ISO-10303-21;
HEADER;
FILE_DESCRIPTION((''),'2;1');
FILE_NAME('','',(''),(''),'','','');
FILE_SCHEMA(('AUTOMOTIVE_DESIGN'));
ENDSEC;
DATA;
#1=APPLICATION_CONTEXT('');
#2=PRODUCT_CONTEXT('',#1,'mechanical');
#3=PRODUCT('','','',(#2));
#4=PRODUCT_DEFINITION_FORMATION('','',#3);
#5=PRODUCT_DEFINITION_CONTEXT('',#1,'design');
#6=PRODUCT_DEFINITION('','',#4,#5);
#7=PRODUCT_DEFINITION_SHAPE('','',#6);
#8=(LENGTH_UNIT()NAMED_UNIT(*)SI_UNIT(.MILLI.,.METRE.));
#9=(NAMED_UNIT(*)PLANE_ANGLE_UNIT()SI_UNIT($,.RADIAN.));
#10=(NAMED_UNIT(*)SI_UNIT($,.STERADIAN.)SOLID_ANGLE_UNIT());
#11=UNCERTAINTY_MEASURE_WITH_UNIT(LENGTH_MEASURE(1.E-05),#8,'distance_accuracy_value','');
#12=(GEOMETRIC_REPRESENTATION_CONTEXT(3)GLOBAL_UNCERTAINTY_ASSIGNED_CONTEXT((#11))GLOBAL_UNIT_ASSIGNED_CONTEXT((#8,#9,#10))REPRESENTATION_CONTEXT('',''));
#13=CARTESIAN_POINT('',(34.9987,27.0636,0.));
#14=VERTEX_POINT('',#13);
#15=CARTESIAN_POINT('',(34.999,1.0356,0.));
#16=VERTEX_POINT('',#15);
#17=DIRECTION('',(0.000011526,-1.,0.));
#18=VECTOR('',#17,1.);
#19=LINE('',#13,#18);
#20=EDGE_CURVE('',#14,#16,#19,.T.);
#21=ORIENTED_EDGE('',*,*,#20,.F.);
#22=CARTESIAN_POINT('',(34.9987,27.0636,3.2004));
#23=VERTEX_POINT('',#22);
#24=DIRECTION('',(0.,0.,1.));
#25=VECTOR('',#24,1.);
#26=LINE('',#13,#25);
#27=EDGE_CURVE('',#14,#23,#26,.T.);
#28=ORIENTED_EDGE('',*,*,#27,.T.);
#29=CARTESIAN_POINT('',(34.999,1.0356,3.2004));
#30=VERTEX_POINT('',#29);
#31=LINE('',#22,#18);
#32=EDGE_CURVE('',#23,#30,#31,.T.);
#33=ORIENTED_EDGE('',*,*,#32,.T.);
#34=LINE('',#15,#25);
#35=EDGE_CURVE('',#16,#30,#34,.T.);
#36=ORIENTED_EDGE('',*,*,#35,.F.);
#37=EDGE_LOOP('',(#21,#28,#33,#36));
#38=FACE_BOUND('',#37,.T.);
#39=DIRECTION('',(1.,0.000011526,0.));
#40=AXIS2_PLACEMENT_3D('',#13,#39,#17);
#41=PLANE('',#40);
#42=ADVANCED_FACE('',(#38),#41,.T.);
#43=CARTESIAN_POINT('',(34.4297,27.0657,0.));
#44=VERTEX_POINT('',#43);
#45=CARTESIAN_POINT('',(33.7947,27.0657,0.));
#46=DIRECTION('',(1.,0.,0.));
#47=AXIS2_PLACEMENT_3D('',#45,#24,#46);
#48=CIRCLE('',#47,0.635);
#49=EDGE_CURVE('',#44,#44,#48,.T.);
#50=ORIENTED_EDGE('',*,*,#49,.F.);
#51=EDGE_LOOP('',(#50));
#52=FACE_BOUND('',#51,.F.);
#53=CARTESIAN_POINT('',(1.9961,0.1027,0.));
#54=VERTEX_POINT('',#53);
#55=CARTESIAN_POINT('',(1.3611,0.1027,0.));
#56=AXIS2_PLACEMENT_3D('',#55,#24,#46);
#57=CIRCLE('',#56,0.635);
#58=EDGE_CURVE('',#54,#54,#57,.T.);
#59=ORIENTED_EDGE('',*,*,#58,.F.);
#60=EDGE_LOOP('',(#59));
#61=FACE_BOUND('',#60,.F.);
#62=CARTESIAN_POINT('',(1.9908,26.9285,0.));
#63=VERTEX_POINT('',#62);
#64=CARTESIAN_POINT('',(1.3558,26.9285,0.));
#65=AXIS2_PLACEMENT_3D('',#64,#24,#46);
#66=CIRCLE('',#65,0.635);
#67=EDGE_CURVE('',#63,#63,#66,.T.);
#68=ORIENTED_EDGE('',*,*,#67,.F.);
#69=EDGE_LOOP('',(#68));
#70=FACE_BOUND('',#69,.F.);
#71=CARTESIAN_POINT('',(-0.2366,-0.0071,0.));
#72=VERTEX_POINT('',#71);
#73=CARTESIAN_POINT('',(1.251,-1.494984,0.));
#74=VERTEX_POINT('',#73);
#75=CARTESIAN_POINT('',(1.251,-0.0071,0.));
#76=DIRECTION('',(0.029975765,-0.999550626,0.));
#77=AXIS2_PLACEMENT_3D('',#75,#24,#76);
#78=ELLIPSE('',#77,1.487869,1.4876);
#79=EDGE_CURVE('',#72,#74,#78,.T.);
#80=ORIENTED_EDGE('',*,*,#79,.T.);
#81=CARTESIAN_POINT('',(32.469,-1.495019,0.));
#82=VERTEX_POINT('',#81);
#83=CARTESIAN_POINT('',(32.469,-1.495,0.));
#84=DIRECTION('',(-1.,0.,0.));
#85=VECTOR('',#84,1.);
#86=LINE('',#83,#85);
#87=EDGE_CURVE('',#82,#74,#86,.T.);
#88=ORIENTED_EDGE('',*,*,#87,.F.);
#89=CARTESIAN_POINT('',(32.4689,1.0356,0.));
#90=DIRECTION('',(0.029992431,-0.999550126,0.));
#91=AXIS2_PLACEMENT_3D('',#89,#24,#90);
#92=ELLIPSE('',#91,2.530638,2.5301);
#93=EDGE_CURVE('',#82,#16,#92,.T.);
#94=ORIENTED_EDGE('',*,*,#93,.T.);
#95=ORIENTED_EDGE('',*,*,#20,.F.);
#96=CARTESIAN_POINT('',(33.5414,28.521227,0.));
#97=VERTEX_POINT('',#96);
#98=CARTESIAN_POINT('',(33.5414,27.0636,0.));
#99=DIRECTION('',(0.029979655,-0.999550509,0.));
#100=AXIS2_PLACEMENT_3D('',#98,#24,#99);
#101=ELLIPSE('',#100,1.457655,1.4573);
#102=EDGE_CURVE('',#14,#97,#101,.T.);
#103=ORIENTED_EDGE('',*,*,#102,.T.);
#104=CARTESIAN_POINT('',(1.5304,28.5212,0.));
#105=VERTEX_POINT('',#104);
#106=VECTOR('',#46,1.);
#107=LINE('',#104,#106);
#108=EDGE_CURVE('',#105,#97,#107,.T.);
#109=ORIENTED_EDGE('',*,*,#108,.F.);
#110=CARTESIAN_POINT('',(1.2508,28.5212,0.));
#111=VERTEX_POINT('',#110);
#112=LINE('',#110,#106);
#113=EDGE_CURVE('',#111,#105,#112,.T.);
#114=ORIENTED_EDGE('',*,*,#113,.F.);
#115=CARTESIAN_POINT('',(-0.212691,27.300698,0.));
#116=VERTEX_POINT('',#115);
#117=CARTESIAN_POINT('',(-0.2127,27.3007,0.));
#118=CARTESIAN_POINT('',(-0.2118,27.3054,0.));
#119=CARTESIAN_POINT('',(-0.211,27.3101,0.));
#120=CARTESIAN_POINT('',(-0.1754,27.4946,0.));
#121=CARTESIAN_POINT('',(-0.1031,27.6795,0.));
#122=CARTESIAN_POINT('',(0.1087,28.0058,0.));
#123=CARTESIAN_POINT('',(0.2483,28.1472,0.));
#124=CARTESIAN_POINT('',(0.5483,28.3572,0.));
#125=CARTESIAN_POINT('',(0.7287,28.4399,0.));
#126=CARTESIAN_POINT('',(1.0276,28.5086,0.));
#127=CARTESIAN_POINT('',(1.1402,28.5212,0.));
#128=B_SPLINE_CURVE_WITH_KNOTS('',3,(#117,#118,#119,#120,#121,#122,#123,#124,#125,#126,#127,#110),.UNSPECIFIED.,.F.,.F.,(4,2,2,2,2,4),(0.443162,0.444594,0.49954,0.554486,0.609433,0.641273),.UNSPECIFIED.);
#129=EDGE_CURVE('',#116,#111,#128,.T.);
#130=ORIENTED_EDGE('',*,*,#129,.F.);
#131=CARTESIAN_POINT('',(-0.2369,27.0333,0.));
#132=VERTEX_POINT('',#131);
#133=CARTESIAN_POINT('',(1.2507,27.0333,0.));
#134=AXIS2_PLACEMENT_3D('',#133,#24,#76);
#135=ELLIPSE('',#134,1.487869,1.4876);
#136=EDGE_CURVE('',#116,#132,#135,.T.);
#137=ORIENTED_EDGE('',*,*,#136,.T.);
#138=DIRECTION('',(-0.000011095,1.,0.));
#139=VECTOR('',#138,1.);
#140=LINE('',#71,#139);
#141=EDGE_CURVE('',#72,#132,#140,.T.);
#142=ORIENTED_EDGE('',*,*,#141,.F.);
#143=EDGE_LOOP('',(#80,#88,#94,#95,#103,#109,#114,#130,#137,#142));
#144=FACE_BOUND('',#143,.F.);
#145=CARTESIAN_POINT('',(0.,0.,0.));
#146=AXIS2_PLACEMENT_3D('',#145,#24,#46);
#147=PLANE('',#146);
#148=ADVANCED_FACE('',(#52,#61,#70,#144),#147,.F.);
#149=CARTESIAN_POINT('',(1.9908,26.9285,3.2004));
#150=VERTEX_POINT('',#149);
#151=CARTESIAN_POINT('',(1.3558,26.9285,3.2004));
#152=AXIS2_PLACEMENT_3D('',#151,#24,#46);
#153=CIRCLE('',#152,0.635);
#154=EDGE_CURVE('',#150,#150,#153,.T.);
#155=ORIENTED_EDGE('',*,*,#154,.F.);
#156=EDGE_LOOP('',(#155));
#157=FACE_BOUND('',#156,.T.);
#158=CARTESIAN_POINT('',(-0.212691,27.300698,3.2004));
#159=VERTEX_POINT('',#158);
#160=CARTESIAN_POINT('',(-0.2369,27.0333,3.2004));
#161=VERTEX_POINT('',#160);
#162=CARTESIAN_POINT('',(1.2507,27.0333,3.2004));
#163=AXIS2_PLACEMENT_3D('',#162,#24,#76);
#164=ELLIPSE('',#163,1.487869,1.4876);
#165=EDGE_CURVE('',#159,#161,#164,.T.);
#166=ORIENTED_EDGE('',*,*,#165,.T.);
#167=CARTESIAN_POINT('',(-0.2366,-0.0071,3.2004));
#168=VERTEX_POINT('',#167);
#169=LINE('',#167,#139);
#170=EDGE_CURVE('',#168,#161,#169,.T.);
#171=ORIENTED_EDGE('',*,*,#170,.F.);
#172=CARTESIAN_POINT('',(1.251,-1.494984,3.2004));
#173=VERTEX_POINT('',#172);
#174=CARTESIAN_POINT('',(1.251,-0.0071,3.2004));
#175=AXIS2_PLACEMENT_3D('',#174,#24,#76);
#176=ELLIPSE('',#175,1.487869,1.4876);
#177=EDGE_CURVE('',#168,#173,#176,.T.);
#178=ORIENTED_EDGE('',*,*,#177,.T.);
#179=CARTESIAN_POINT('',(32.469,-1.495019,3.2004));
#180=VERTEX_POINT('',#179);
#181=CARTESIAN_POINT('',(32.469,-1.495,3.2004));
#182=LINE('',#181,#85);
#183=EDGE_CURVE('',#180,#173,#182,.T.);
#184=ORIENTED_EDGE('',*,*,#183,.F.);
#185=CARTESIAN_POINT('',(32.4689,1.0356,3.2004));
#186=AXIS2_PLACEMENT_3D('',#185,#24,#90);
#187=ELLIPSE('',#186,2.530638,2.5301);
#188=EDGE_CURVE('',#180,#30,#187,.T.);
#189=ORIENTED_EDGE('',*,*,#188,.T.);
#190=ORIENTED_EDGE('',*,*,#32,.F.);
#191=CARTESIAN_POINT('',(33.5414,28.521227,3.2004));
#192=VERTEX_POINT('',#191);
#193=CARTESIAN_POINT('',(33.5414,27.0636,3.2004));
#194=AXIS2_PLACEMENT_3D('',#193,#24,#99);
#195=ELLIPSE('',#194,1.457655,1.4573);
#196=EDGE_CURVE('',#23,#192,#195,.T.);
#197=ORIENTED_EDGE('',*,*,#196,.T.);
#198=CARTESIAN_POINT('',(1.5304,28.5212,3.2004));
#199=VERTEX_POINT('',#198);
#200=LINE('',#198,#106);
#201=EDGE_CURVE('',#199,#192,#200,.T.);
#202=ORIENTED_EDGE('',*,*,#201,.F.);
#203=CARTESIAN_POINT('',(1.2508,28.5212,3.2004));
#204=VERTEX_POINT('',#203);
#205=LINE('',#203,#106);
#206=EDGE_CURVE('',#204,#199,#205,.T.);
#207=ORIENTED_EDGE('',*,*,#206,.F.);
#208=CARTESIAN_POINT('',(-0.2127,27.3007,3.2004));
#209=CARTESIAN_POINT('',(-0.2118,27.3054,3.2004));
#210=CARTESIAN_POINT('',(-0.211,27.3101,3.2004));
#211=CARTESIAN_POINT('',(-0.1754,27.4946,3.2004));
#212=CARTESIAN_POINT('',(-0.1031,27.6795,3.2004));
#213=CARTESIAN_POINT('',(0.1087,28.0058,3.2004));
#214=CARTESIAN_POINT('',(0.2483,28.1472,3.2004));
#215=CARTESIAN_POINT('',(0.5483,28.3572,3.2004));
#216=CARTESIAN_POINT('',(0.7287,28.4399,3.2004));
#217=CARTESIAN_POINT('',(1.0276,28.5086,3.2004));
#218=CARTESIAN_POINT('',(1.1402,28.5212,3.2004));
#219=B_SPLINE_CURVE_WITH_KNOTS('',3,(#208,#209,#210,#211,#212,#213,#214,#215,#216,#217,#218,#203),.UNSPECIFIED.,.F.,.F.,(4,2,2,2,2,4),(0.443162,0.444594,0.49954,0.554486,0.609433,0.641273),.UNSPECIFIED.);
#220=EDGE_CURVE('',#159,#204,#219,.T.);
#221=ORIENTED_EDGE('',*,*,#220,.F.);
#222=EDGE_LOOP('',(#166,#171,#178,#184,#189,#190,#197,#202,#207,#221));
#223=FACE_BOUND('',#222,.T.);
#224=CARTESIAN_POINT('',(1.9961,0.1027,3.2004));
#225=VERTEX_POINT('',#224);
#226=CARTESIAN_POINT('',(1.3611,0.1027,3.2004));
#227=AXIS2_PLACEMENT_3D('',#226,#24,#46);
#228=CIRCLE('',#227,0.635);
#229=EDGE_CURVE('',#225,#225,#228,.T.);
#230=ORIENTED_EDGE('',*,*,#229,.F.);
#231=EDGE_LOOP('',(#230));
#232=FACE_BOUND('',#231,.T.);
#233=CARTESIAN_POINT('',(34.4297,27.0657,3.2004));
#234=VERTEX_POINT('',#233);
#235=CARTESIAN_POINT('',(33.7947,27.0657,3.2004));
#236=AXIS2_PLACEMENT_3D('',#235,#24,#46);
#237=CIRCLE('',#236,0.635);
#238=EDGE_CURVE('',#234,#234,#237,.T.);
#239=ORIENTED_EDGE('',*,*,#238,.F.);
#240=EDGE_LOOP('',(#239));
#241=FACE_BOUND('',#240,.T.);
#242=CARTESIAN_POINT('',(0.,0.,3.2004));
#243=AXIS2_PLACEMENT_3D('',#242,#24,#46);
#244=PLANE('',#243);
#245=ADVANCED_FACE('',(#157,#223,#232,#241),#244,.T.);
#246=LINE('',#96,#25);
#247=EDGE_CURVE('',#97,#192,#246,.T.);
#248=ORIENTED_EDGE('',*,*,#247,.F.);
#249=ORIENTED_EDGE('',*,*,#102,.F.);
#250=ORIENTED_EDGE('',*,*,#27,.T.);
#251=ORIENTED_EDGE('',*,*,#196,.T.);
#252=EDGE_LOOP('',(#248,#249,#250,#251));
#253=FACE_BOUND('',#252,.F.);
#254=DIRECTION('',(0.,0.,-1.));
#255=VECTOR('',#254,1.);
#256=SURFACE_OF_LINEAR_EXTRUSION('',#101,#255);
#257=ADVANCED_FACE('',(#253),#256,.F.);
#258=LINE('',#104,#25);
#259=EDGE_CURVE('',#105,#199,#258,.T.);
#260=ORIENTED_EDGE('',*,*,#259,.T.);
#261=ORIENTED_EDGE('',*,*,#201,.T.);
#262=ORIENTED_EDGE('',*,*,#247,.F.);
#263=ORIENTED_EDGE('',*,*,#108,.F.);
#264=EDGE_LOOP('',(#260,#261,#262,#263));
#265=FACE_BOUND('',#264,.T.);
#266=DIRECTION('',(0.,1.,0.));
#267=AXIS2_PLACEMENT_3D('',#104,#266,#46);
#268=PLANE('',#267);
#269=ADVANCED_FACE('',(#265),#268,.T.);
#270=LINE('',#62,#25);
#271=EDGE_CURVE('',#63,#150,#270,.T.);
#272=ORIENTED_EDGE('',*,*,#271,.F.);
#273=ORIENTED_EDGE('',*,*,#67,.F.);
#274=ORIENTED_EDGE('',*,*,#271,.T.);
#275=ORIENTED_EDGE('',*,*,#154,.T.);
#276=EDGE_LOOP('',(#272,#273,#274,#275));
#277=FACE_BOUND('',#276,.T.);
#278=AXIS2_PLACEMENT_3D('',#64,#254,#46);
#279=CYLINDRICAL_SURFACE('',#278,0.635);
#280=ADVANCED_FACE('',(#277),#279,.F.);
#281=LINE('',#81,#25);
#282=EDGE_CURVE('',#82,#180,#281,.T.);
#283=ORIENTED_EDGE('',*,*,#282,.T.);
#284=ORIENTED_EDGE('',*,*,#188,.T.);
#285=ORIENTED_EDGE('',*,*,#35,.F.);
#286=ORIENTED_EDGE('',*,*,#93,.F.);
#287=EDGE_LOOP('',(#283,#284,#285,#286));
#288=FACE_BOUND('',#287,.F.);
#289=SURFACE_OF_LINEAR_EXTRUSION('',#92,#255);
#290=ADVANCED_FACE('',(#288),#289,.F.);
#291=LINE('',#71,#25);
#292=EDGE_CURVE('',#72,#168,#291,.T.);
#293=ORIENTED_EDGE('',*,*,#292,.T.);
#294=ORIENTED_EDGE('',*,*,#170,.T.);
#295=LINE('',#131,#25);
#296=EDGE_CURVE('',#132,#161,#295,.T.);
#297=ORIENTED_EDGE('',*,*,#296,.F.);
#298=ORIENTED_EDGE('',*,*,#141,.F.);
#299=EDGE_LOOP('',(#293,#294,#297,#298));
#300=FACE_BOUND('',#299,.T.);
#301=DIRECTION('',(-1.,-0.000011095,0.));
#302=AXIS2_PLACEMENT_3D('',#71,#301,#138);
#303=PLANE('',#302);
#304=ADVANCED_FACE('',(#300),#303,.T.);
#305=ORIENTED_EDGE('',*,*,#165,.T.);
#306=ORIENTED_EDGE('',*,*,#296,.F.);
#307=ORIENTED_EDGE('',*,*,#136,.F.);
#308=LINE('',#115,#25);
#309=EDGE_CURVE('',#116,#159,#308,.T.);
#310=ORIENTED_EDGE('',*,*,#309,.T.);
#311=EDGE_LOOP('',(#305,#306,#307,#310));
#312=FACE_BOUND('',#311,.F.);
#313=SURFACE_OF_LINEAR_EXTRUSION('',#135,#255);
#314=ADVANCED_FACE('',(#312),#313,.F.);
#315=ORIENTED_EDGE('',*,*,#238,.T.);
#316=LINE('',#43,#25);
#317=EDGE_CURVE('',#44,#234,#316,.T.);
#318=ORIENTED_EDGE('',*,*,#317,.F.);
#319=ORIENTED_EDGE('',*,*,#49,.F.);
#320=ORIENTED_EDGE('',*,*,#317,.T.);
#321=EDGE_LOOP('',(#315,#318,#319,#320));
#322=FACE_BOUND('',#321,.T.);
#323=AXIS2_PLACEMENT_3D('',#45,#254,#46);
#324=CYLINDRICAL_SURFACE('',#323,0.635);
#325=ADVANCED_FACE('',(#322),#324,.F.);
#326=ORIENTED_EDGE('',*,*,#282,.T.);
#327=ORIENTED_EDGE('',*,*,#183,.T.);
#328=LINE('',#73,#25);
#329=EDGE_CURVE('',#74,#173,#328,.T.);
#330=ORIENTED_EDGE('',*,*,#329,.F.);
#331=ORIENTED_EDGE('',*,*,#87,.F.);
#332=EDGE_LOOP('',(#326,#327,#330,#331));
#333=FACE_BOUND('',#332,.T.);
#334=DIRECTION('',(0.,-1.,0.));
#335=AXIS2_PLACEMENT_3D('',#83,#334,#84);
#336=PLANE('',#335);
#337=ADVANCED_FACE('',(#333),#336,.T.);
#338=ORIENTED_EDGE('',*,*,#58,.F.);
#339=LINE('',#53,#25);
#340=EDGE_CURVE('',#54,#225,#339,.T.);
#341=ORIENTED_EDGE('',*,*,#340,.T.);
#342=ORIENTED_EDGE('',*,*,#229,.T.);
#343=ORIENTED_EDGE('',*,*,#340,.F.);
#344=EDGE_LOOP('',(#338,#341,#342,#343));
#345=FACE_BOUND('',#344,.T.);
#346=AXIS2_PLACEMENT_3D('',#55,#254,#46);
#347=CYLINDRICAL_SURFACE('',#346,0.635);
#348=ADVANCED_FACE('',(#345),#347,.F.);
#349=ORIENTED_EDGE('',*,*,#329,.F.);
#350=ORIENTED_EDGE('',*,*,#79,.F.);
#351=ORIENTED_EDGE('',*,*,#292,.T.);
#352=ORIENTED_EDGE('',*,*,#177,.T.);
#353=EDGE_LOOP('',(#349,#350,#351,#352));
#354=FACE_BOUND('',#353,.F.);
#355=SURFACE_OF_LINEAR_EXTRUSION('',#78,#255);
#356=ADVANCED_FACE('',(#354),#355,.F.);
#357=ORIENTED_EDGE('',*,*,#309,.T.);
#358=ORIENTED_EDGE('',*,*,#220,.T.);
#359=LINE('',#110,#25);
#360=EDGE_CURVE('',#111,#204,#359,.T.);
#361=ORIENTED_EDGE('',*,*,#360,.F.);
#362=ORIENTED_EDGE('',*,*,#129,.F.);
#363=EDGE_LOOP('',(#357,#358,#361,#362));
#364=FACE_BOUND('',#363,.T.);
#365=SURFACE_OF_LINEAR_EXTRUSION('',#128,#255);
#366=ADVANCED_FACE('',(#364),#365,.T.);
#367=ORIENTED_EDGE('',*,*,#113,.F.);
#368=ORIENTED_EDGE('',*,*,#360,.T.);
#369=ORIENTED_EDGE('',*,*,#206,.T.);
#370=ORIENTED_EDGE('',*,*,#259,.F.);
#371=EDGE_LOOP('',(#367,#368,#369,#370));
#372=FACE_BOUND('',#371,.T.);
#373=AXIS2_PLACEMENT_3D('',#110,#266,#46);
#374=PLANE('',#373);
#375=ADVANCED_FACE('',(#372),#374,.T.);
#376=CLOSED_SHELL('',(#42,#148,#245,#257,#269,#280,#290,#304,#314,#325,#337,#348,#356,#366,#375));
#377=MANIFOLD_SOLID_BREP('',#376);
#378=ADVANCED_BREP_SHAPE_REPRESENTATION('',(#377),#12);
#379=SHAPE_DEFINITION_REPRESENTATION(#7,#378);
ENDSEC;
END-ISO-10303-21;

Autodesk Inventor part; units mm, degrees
ref_plane "YZ Plane" through (0, 0, 0) normal (1, 0, 0) x (0, 1, 0)
ref_plane "XZ Plane" through (0, 0, 0) normal (0, 1, 0) x (-1, 0, 0)
ref_plane "XY Plane" through (0, 0, 0) normal (0, 0, 1) x (1, 0, 0)
sketch "Base" plane through (0, 0, 0) normal (0, 0, 1) x (1, 0, 0)
  circle A0 centre (1.3558, 26.9285) radius 0.635
  line L0 (1.5304, 28.5212) -> (33.5414, 28.5212)
  spline S0 degree 3 poles (-0.2127, 27.3007) (-0.2118, 27.3054) (-0.211, 27.3101) (-0.1754, 27.4946) (-0.1031, 27.6795) (0.1087, 28.0058) (0.2483, 28.1472) (0.5483, 28.3572) (0.7287, 28.4399) (1.0276, 28.5086) (1.1402, 28.5212) (1.2508, 28.5212) knots 0.443162 0.443162 0.443162 0.443162 0.444594 0.444594 0.49954 0.49954 0.554486 0.554486 0.609433 0.609433 0.641273 0.641273 0.641273 0.641273
  ellipse E0 centre (1.2507, 27.0333) end of major axis (1.2953, 25.5461) minor radius 1.4876 (-0.2127, 27.3007) -> (-0.2369, 27.0333) ccw
  line L1 (-0.2366, -0.0071) -> (-0.2369, 27.0333)
  ellipse E1 centre (33.5414, 27.0636) end of major axis (33.5851, 25.6066) minor radius 1.4573 (34.9987, 27.0636) -> (33.5414, 28.5212) ccw
  line L2 (34.9987, 27.0636) -> (34.999, 1.0356)
  circle A1 centre (33.7947, 27.0657) radius 0.635
  ellipse E2 centre (32.4689, 1.0356) end of major axis (32.5448, -1.4939) minor radius 2.5301 (32.469, -1.495) -> (34.999, 1.0356) ccw
  line L3 (32.469, -1.495) -> (1.251, -1.495)
  ellipse E3 centre (1.251, -0.0071) end of major axis (1.2956, -1.4943) minor radius 1.4876 (-0.2366, -0.0071) -> (1.251, -1.495) ccw
  circle A2 centre (1.3611, 0.1027) radius 0.635
  line L4 (1.2508, 28.5212) -> (1.5304, 28.5212)
  point P0 (0, 0)
extrude "BaseFeature" add sketch "Base" along normal blind 3.2004
properties part number "switchback-logo-cover"
